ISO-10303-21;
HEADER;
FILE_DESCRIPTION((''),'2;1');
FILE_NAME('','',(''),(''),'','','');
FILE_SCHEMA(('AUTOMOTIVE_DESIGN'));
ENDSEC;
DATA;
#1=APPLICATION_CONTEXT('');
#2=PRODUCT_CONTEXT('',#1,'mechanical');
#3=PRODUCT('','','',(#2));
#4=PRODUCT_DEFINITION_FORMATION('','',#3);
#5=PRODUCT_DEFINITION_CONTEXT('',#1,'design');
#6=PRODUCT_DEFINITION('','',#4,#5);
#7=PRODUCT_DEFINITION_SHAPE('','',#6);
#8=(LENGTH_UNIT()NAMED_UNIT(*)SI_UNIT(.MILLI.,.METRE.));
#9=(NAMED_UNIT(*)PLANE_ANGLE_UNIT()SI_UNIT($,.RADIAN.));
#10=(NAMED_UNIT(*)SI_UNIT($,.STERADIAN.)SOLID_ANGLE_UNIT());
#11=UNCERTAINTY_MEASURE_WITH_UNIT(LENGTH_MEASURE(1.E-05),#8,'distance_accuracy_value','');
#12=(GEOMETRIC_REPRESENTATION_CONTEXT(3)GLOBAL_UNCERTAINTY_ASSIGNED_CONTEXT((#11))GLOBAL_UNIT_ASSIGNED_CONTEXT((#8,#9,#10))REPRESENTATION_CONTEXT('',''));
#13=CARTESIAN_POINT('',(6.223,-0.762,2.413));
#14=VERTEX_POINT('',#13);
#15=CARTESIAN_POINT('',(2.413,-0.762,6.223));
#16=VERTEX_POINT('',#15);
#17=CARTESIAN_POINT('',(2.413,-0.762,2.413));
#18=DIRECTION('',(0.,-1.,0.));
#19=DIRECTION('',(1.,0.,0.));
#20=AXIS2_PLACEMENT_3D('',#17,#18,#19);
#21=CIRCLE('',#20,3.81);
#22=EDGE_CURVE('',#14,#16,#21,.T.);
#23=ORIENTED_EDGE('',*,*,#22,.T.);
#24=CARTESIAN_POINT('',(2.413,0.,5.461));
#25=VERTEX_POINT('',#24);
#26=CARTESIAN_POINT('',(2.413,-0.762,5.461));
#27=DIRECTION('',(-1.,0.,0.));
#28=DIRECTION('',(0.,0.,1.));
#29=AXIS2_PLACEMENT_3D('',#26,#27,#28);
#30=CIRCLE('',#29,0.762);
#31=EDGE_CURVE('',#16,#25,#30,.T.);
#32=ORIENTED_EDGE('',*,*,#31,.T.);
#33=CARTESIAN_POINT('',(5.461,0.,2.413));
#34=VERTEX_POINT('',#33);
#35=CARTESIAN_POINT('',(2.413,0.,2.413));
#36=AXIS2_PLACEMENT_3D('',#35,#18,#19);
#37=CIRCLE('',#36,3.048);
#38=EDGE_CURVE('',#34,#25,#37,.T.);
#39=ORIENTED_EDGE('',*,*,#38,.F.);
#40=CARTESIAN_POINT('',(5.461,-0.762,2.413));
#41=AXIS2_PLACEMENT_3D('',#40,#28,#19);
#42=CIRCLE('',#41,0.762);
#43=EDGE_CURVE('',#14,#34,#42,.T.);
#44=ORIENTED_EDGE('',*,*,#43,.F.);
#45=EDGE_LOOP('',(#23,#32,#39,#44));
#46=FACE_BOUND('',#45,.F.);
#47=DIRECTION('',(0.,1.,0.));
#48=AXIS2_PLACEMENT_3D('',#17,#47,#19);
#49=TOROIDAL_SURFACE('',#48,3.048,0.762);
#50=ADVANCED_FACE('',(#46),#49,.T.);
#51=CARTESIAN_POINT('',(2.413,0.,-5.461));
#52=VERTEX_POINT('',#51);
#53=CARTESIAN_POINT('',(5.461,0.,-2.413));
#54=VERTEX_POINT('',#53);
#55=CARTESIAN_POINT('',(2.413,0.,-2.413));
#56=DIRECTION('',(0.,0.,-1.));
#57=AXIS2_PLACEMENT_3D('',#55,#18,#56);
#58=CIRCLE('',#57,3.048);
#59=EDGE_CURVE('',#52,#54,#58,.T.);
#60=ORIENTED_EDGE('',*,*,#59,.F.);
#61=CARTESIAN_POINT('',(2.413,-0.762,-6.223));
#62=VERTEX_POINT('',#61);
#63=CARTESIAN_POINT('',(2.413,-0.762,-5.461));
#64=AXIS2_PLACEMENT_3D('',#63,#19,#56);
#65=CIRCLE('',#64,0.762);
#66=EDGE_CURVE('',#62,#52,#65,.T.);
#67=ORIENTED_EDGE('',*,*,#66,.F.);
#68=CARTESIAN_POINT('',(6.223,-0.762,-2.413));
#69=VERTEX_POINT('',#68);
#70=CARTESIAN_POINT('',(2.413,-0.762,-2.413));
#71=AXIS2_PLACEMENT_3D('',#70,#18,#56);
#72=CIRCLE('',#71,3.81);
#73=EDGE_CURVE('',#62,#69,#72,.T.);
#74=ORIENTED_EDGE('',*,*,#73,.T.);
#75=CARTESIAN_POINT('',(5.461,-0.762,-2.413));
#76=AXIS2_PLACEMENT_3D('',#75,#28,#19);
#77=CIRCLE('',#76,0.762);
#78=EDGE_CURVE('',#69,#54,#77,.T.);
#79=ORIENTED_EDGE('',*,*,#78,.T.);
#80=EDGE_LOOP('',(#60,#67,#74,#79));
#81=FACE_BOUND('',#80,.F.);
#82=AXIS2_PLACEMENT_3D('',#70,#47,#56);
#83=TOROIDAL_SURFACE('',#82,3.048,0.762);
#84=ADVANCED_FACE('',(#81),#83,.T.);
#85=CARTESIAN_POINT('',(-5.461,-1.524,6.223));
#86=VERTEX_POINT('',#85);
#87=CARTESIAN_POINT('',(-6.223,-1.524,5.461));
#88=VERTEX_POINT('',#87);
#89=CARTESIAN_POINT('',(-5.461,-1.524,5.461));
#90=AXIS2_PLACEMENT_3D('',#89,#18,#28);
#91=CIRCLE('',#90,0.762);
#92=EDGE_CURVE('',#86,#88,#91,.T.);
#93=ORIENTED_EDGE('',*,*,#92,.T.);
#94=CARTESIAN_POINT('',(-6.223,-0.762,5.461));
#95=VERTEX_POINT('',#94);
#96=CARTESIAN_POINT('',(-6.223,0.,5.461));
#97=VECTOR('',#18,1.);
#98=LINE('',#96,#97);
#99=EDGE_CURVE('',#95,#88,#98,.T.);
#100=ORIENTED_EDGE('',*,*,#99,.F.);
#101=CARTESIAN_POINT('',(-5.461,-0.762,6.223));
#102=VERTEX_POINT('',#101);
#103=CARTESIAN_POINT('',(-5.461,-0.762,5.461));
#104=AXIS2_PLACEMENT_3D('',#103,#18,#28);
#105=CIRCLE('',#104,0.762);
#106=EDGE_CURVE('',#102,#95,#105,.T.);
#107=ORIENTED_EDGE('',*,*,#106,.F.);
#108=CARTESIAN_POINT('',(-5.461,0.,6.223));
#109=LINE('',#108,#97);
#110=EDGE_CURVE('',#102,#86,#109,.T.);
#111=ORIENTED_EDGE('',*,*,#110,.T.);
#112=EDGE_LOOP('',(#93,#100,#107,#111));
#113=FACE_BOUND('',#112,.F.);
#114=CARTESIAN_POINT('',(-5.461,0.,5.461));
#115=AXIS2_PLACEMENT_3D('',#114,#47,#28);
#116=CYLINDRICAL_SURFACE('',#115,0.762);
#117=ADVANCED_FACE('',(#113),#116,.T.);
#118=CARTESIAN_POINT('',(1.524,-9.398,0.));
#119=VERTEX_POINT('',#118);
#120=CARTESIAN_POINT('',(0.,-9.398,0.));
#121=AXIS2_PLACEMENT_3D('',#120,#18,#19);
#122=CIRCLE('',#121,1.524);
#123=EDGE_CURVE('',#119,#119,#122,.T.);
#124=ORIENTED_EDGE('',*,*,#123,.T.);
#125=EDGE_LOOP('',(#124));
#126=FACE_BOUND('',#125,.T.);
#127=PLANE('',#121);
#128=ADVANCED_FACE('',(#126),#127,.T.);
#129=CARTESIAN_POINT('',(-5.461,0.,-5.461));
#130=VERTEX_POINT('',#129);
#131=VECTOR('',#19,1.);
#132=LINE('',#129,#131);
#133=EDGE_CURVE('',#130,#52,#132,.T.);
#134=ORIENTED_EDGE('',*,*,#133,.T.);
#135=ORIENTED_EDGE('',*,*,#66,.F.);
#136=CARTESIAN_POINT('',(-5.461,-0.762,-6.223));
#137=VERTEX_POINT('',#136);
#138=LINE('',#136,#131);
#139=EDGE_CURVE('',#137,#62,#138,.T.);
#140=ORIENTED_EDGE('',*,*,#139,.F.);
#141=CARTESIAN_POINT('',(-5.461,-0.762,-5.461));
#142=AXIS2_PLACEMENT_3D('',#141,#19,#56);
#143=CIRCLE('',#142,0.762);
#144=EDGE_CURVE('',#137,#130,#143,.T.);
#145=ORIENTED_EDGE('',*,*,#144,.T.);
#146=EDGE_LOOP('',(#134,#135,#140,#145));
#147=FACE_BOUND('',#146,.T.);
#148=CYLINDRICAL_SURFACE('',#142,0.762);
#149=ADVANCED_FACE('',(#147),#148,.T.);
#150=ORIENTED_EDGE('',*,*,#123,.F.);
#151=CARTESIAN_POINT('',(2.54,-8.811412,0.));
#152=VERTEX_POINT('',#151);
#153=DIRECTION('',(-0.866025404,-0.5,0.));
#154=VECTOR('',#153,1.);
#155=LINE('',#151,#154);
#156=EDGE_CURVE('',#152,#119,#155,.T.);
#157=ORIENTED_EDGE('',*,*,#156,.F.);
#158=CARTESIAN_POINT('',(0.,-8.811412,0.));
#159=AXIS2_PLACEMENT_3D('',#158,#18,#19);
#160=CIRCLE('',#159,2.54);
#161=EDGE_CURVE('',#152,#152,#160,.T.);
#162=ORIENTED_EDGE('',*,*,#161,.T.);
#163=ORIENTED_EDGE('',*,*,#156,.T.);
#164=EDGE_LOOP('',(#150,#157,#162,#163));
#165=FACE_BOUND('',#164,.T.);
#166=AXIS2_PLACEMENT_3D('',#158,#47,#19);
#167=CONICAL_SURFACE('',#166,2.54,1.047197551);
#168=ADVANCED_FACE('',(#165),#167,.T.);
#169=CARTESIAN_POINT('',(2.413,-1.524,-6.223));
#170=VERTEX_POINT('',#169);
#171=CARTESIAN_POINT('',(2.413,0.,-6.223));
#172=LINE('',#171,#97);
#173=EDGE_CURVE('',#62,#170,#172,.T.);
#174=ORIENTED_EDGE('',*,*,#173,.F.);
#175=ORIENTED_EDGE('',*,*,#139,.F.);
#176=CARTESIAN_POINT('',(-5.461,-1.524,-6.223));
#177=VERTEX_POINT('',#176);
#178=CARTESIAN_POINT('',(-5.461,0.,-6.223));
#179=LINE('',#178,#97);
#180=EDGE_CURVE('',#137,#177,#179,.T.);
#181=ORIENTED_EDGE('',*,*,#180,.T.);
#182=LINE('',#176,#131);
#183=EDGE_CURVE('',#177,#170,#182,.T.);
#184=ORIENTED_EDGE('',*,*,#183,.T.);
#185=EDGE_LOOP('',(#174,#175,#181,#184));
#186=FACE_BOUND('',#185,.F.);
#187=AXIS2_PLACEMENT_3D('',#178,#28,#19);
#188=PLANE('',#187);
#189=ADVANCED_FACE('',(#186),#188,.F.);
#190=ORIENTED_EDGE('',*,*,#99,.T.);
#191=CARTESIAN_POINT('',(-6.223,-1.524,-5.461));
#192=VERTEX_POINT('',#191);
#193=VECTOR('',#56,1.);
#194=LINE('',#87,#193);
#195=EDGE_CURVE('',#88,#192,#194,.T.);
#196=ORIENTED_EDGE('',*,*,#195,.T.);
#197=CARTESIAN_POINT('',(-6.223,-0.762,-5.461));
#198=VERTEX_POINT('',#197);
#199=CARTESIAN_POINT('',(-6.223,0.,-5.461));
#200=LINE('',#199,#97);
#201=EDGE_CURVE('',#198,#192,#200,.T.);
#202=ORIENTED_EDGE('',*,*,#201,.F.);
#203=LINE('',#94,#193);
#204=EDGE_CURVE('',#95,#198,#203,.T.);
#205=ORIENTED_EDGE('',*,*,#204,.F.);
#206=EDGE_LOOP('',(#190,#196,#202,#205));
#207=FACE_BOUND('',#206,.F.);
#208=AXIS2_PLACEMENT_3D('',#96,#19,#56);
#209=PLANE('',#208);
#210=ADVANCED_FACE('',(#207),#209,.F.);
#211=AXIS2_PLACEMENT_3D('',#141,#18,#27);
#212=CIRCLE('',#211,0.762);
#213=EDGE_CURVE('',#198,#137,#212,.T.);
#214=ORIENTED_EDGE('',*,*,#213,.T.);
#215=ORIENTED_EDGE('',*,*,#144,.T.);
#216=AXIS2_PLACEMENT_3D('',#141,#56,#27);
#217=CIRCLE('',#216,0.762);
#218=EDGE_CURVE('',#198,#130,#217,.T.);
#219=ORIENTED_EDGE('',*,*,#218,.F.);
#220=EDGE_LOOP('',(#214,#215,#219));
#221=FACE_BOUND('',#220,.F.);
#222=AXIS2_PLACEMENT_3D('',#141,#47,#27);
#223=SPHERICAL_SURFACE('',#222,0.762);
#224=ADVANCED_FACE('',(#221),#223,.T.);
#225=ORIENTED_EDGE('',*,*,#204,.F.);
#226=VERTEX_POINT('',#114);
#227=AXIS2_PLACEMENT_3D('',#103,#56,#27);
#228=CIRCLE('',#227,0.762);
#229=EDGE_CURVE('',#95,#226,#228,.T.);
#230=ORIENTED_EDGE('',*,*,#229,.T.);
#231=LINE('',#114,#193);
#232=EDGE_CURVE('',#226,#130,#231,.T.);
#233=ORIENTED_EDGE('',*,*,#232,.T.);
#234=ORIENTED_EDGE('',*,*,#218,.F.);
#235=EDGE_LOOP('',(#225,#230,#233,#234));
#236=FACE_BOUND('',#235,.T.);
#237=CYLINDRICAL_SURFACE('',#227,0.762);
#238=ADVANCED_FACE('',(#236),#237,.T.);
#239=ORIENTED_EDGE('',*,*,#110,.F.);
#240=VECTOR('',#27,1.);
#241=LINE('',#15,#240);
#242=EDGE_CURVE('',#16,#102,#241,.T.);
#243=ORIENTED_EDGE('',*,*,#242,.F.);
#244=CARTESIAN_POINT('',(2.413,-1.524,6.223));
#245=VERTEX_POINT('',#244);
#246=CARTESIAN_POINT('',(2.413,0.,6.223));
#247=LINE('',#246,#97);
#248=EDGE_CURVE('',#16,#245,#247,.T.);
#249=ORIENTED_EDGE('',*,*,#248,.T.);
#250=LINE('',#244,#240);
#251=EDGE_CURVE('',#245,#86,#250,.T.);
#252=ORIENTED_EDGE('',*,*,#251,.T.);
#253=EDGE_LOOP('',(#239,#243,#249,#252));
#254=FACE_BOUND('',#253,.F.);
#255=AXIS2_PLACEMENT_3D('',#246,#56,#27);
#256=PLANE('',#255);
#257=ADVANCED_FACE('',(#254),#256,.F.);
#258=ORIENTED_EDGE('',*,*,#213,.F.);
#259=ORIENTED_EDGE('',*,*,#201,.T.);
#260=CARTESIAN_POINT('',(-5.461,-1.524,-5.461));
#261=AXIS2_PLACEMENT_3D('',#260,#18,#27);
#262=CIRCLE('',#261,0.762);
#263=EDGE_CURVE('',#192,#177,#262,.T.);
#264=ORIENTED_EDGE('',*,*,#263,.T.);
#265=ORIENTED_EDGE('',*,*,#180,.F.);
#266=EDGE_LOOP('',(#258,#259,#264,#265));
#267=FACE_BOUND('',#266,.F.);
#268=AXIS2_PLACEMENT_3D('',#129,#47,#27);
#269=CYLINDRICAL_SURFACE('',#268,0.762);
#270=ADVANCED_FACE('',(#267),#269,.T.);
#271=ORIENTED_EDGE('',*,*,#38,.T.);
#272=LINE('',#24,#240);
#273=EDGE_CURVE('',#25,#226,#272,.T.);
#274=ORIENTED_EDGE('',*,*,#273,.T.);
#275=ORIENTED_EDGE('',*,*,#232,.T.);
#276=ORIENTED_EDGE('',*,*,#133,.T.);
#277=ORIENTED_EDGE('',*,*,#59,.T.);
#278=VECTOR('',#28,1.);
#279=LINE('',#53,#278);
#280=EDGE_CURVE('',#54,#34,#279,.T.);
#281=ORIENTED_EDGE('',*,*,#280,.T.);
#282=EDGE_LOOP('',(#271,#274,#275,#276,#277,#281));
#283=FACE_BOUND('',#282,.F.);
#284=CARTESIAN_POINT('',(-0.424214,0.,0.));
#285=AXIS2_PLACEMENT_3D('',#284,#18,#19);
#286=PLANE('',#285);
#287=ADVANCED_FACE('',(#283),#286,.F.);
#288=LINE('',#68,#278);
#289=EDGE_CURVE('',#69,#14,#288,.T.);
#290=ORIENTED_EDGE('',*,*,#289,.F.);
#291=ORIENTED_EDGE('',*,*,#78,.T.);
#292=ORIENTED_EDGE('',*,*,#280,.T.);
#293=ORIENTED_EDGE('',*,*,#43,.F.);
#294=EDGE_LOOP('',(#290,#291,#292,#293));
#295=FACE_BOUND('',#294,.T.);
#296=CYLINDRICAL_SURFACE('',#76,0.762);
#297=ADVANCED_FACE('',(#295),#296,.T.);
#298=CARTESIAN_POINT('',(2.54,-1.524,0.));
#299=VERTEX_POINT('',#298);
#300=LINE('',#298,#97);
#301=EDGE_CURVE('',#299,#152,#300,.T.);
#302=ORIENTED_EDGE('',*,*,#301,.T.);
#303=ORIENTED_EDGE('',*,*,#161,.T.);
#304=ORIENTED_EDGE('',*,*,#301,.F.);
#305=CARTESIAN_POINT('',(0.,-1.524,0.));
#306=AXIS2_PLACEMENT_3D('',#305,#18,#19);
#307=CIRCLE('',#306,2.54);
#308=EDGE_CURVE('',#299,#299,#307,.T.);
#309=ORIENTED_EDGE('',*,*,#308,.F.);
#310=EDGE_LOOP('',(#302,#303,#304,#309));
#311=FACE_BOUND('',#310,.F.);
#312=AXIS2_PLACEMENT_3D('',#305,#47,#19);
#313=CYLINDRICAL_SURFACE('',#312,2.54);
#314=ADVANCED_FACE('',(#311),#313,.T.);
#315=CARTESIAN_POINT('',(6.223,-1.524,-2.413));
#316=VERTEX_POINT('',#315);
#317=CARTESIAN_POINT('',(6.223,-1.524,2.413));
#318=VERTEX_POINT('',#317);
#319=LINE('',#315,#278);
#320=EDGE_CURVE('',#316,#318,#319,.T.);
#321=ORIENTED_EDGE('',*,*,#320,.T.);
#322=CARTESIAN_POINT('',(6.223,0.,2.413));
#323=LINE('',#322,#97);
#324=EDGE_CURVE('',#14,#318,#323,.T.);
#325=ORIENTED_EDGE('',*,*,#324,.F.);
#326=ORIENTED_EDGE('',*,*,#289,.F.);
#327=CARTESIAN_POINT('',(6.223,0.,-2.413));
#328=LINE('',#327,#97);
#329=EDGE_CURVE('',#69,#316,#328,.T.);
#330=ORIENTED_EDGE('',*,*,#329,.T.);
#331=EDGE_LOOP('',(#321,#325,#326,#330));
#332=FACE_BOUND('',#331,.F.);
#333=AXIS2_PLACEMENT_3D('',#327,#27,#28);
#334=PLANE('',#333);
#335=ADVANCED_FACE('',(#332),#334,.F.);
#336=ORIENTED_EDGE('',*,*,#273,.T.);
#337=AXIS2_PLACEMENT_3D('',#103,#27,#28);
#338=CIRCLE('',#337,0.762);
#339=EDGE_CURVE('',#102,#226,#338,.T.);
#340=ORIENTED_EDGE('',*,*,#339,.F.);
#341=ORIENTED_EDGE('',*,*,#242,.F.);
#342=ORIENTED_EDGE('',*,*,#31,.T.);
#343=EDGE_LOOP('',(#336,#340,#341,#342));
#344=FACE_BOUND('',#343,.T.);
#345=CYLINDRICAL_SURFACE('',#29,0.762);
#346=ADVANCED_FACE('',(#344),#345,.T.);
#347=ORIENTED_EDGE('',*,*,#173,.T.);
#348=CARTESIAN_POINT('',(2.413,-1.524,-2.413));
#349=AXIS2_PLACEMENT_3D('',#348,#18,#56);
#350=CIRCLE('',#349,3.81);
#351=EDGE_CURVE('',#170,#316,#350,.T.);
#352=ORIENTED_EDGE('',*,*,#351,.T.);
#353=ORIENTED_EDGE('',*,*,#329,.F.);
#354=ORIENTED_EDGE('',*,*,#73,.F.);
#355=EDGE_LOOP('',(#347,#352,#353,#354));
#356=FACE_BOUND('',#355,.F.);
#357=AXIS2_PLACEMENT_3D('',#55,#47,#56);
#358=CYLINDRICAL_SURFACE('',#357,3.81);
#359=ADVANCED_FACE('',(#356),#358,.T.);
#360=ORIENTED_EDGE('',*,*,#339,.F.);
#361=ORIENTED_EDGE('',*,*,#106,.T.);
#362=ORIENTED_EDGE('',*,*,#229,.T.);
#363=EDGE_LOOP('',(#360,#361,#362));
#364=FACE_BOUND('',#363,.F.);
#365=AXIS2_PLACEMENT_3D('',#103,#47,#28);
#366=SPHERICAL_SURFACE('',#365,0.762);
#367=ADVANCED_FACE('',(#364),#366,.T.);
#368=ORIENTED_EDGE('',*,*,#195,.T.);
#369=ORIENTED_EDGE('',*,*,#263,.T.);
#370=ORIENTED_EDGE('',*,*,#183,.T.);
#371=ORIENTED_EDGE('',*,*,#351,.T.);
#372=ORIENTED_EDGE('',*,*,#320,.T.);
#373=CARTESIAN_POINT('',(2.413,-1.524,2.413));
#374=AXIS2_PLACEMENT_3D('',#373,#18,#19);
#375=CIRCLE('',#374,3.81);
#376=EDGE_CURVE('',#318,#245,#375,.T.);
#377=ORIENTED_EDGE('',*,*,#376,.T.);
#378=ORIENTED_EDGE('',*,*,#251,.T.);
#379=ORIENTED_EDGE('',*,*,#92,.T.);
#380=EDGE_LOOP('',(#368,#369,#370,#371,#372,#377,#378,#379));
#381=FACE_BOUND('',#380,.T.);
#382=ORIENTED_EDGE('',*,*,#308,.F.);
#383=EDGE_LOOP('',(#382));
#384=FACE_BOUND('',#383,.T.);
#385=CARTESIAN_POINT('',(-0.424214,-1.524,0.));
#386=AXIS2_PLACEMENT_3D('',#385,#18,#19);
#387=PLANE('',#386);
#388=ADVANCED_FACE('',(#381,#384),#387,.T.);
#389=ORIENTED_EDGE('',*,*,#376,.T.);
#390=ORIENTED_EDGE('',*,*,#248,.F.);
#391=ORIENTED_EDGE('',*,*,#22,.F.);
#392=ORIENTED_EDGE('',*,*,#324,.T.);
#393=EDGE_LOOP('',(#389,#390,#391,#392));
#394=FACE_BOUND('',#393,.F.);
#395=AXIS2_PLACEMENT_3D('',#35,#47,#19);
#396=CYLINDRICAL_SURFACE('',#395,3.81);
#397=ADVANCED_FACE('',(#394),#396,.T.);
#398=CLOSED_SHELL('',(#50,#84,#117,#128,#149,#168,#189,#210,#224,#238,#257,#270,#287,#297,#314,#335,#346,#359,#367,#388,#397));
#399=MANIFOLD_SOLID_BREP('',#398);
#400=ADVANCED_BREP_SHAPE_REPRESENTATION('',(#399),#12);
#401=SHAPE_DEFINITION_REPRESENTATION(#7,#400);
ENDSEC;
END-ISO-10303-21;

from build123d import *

# Parameters (mm, degrees)
F1_DEPTH = 1.524
F2_R     = 0.762
F3_R     = 2.54
F4_DEPTH = 7.874
F5_SIZE2 = 1.016
F5_SIZE  = 0.5865878735


with BuildPart() as f1:
    # F0 (on Front) → F1 (new body)
    with BuildSketch(Plane.XZ):
        with BuildLine():
            ThreePointArc((6.223, 2.413), (5.1070768363, 5.1070768363), (2.413, 6.223))
            Line((2.413, 6.223), (-5.461, 6.223))
            ThreePointArc((-5.461, 6.223), (-5.9998153673, 5.9998153673), (-6.223, 5.461))
            Line((-6.223, 5.461), (-6.223, -5.461))
            ThreePointArc((-6.223, -5.461), (-5.9998153673, -5.9998153673), (-5.461, -6.223))
            Line((-5.461, -6.223), (2.413, -6.223))
            ThreePointArc((2.413, -6.223), (5.1070768363, -5.1070768363), (6.223, -2.413))
            Line((6.223, -2.413), (6.223, 2.413))
        make_face()
    extrude(amount=F1_DEPTH)

    # F2
    f2_edges = [f1.edges().sort_by_distance(p)[0] for p in [
        (-1.524, 0, -6.223),
    ]]
    fillet(f2_edges, radius=F2_R)

    # F3 (on face) → F4 (join)
    with BuildSketch(Plane.XZ.offset(1.524)):
        Circle(F3_R)
    extrude(amount=F4_DEPTH)

    # F5
    f5_edges = [f1.edges().sort_by_distance(p)[0] for p in [
        (-2.54, -9.398, 0),
    ]]
    f5_side = f1.faces().sort_by_distance((-2.54, -5.461, 0))[0]
    chamfer(f5_edges, length=F5_SIZE, length2=F5_SIZE2, reference=f5_side)


solid = f1.part
